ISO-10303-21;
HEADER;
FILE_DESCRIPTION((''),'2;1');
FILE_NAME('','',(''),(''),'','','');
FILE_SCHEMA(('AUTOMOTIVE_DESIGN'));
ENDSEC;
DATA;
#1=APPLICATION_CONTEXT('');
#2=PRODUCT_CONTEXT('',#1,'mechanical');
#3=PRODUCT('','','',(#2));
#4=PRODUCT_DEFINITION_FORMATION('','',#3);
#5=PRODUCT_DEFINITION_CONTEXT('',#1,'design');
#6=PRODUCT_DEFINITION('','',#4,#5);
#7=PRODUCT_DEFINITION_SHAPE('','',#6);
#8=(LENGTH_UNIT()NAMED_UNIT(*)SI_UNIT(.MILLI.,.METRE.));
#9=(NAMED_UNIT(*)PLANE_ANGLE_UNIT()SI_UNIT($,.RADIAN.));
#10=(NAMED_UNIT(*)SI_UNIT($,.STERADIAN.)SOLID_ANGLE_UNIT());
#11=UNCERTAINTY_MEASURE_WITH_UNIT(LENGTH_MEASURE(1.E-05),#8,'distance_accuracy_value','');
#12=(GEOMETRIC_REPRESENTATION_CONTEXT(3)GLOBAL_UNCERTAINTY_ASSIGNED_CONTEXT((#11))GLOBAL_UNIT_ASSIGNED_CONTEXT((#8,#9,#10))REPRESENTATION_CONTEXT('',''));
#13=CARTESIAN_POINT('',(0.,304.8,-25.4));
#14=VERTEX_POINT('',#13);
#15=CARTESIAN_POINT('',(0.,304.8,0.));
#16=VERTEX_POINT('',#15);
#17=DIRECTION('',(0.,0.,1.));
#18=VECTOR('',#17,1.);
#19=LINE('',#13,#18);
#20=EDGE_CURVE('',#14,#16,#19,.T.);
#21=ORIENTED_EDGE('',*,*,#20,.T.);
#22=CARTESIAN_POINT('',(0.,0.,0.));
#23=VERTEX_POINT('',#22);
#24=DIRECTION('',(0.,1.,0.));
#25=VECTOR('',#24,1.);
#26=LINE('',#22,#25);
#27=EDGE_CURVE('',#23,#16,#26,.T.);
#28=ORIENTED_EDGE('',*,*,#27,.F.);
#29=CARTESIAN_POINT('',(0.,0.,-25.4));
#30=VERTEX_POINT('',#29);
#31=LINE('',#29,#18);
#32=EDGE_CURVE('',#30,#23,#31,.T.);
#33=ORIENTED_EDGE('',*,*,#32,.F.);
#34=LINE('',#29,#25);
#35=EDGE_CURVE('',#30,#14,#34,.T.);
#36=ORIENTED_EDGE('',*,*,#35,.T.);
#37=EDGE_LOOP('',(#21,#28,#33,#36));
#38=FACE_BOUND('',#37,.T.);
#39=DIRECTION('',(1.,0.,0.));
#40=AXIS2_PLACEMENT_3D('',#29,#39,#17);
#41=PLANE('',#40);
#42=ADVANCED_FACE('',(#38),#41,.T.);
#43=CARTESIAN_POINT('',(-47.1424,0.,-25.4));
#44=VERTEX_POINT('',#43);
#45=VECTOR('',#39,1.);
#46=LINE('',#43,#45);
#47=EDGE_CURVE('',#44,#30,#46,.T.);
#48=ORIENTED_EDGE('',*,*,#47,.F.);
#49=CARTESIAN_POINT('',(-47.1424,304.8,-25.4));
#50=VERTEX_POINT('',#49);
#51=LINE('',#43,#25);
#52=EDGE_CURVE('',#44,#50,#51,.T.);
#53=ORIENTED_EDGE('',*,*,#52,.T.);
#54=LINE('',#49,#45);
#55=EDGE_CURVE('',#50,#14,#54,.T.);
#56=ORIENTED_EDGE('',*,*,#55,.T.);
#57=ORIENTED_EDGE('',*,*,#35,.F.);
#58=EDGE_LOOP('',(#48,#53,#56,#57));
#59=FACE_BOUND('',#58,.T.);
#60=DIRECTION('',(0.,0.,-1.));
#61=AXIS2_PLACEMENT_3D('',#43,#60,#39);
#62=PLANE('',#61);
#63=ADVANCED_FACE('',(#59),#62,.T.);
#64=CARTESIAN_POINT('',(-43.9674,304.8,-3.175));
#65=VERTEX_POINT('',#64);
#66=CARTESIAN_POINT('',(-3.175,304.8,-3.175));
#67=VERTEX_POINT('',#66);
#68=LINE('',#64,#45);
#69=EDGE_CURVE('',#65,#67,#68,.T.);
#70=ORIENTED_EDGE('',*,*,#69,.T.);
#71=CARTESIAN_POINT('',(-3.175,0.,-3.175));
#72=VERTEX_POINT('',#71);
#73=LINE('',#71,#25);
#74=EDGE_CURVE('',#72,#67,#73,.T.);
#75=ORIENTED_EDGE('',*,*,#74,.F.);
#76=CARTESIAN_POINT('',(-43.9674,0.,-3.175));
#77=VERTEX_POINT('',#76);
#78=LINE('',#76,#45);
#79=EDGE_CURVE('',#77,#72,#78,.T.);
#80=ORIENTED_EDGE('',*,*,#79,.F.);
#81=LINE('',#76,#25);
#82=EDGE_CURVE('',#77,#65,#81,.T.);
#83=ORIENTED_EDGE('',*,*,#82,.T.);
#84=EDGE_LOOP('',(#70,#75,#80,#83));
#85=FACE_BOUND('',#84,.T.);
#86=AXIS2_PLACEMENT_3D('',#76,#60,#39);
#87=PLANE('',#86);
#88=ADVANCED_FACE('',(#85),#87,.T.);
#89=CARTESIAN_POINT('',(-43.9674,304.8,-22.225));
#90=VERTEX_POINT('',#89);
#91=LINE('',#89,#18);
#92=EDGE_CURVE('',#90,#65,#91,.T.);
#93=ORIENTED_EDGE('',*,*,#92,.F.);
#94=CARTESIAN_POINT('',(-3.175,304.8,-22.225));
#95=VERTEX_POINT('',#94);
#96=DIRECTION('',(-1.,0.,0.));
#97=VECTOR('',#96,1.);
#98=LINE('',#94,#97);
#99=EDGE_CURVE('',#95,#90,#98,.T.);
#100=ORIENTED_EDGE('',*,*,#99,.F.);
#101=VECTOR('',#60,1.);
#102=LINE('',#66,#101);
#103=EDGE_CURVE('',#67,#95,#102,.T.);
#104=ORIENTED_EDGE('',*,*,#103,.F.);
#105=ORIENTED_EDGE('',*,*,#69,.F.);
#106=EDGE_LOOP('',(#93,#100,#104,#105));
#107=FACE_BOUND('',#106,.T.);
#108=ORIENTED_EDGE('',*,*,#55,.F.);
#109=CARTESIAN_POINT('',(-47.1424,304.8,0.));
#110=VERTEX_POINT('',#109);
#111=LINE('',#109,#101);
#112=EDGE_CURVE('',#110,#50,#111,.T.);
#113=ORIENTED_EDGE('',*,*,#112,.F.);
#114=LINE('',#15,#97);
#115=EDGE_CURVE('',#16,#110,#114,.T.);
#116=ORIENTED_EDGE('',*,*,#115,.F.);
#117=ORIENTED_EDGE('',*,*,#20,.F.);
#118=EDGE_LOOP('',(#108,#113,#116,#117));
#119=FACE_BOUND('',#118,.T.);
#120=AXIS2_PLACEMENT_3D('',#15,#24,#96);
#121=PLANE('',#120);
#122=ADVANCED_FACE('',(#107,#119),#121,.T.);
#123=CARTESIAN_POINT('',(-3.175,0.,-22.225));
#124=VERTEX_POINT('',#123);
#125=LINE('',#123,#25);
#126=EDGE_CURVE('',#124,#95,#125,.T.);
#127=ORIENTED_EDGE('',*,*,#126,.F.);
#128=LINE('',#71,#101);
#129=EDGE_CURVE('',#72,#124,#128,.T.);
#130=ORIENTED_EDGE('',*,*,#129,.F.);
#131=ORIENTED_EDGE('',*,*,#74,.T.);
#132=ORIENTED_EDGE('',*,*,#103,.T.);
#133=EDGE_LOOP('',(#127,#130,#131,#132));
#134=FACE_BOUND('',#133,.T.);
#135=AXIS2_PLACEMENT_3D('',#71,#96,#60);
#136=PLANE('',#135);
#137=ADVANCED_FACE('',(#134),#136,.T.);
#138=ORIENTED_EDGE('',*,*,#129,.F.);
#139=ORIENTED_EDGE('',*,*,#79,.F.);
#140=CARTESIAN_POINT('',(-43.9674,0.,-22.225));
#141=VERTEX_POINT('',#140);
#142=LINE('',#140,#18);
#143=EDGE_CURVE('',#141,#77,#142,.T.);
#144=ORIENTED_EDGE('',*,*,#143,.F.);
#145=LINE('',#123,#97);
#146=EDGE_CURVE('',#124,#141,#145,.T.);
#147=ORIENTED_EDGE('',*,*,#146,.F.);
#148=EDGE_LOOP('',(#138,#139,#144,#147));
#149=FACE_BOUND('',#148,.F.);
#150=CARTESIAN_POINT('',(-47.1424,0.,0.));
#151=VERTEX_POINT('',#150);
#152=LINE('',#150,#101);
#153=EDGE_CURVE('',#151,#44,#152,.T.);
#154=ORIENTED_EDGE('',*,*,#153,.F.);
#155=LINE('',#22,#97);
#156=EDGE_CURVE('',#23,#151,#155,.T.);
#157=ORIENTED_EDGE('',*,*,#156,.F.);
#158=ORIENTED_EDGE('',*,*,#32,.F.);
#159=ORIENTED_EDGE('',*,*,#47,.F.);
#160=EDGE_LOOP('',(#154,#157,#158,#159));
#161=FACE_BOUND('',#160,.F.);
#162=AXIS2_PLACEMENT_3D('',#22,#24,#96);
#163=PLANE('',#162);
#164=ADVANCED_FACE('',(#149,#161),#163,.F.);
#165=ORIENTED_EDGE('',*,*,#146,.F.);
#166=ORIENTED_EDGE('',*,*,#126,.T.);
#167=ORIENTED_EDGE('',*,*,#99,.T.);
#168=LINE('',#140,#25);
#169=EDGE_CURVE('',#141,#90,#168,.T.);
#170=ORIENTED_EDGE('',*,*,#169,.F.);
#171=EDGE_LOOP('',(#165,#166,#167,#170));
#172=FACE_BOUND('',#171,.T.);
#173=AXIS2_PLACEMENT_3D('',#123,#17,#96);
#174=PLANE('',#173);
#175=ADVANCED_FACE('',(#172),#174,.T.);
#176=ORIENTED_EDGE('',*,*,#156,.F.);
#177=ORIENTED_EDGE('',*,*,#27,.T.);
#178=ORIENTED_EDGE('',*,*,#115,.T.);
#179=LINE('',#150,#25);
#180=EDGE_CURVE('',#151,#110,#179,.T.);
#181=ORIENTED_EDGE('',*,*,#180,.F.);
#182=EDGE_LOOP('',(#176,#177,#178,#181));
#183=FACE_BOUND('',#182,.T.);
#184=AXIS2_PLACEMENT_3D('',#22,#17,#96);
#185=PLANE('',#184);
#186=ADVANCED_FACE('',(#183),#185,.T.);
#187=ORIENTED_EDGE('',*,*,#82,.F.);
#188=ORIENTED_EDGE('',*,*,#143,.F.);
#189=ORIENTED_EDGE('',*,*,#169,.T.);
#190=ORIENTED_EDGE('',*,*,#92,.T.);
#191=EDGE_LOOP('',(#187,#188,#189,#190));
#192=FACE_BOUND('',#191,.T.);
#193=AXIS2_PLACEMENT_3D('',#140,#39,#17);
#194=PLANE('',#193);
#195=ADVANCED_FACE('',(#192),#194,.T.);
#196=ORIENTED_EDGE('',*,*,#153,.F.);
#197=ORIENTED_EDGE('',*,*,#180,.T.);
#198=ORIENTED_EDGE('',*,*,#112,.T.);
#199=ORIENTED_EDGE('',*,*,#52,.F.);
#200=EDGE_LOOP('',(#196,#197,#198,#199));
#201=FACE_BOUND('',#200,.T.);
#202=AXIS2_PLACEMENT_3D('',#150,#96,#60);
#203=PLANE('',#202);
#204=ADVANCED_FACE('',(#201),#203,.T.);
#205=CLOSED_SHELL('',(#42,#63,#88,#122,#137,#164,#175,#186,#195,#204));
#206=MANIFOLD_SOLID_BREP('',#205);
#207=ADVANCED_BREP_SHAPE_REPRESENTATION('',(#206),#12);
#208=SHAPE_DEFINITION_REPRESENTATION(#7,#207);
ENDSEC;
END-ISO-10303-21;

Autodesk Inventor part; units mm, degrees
ref_plane "YZ Plane" through (0, 0, 0) normal (1, 0, 0) x (0, 1, 0)
ref_plane "XZ Plane" through (0, 0, 0) normal (0, 1, 0) x (-1, 0, 0)
ref_plane "XY Plane" through (0, 0, 0) normal (0, 0, 1) x (1, 0, 0)
sketch "Sketch1" plane through (0, 0, 0) normal (0, 1, 0) x (-1, 0, 0)
  line L0 (0, 0) -> (47.1424, 0)
  line L1 (47.1424, 0) -> (47.1424, -25.4)
  line L2 (47.1424, -25.4) -> (0, -25.4)
  line L3 (0, -25.4) -> (0, 0)
  line L4 (43.9674, -3.175) -> (3.175, -3.175)
  line L5 (3.175, -3.175) -> (3.175, -22.225)
  line L6 (3.175, -22.225) -> (43.9674, -22.225)
  line L7 (43.9674, -22.225) -> (43.9674, -3.175)
  dimension "d0" = 47.1424
  dimension "d1" = 25.4
  dimension "d2" = 3.175
extrude "Extrusion1" add sketch "Sketch1" along normal blind 304.8
properties part number "ShooterBracketHorizontal.ver1-1111-2020"
